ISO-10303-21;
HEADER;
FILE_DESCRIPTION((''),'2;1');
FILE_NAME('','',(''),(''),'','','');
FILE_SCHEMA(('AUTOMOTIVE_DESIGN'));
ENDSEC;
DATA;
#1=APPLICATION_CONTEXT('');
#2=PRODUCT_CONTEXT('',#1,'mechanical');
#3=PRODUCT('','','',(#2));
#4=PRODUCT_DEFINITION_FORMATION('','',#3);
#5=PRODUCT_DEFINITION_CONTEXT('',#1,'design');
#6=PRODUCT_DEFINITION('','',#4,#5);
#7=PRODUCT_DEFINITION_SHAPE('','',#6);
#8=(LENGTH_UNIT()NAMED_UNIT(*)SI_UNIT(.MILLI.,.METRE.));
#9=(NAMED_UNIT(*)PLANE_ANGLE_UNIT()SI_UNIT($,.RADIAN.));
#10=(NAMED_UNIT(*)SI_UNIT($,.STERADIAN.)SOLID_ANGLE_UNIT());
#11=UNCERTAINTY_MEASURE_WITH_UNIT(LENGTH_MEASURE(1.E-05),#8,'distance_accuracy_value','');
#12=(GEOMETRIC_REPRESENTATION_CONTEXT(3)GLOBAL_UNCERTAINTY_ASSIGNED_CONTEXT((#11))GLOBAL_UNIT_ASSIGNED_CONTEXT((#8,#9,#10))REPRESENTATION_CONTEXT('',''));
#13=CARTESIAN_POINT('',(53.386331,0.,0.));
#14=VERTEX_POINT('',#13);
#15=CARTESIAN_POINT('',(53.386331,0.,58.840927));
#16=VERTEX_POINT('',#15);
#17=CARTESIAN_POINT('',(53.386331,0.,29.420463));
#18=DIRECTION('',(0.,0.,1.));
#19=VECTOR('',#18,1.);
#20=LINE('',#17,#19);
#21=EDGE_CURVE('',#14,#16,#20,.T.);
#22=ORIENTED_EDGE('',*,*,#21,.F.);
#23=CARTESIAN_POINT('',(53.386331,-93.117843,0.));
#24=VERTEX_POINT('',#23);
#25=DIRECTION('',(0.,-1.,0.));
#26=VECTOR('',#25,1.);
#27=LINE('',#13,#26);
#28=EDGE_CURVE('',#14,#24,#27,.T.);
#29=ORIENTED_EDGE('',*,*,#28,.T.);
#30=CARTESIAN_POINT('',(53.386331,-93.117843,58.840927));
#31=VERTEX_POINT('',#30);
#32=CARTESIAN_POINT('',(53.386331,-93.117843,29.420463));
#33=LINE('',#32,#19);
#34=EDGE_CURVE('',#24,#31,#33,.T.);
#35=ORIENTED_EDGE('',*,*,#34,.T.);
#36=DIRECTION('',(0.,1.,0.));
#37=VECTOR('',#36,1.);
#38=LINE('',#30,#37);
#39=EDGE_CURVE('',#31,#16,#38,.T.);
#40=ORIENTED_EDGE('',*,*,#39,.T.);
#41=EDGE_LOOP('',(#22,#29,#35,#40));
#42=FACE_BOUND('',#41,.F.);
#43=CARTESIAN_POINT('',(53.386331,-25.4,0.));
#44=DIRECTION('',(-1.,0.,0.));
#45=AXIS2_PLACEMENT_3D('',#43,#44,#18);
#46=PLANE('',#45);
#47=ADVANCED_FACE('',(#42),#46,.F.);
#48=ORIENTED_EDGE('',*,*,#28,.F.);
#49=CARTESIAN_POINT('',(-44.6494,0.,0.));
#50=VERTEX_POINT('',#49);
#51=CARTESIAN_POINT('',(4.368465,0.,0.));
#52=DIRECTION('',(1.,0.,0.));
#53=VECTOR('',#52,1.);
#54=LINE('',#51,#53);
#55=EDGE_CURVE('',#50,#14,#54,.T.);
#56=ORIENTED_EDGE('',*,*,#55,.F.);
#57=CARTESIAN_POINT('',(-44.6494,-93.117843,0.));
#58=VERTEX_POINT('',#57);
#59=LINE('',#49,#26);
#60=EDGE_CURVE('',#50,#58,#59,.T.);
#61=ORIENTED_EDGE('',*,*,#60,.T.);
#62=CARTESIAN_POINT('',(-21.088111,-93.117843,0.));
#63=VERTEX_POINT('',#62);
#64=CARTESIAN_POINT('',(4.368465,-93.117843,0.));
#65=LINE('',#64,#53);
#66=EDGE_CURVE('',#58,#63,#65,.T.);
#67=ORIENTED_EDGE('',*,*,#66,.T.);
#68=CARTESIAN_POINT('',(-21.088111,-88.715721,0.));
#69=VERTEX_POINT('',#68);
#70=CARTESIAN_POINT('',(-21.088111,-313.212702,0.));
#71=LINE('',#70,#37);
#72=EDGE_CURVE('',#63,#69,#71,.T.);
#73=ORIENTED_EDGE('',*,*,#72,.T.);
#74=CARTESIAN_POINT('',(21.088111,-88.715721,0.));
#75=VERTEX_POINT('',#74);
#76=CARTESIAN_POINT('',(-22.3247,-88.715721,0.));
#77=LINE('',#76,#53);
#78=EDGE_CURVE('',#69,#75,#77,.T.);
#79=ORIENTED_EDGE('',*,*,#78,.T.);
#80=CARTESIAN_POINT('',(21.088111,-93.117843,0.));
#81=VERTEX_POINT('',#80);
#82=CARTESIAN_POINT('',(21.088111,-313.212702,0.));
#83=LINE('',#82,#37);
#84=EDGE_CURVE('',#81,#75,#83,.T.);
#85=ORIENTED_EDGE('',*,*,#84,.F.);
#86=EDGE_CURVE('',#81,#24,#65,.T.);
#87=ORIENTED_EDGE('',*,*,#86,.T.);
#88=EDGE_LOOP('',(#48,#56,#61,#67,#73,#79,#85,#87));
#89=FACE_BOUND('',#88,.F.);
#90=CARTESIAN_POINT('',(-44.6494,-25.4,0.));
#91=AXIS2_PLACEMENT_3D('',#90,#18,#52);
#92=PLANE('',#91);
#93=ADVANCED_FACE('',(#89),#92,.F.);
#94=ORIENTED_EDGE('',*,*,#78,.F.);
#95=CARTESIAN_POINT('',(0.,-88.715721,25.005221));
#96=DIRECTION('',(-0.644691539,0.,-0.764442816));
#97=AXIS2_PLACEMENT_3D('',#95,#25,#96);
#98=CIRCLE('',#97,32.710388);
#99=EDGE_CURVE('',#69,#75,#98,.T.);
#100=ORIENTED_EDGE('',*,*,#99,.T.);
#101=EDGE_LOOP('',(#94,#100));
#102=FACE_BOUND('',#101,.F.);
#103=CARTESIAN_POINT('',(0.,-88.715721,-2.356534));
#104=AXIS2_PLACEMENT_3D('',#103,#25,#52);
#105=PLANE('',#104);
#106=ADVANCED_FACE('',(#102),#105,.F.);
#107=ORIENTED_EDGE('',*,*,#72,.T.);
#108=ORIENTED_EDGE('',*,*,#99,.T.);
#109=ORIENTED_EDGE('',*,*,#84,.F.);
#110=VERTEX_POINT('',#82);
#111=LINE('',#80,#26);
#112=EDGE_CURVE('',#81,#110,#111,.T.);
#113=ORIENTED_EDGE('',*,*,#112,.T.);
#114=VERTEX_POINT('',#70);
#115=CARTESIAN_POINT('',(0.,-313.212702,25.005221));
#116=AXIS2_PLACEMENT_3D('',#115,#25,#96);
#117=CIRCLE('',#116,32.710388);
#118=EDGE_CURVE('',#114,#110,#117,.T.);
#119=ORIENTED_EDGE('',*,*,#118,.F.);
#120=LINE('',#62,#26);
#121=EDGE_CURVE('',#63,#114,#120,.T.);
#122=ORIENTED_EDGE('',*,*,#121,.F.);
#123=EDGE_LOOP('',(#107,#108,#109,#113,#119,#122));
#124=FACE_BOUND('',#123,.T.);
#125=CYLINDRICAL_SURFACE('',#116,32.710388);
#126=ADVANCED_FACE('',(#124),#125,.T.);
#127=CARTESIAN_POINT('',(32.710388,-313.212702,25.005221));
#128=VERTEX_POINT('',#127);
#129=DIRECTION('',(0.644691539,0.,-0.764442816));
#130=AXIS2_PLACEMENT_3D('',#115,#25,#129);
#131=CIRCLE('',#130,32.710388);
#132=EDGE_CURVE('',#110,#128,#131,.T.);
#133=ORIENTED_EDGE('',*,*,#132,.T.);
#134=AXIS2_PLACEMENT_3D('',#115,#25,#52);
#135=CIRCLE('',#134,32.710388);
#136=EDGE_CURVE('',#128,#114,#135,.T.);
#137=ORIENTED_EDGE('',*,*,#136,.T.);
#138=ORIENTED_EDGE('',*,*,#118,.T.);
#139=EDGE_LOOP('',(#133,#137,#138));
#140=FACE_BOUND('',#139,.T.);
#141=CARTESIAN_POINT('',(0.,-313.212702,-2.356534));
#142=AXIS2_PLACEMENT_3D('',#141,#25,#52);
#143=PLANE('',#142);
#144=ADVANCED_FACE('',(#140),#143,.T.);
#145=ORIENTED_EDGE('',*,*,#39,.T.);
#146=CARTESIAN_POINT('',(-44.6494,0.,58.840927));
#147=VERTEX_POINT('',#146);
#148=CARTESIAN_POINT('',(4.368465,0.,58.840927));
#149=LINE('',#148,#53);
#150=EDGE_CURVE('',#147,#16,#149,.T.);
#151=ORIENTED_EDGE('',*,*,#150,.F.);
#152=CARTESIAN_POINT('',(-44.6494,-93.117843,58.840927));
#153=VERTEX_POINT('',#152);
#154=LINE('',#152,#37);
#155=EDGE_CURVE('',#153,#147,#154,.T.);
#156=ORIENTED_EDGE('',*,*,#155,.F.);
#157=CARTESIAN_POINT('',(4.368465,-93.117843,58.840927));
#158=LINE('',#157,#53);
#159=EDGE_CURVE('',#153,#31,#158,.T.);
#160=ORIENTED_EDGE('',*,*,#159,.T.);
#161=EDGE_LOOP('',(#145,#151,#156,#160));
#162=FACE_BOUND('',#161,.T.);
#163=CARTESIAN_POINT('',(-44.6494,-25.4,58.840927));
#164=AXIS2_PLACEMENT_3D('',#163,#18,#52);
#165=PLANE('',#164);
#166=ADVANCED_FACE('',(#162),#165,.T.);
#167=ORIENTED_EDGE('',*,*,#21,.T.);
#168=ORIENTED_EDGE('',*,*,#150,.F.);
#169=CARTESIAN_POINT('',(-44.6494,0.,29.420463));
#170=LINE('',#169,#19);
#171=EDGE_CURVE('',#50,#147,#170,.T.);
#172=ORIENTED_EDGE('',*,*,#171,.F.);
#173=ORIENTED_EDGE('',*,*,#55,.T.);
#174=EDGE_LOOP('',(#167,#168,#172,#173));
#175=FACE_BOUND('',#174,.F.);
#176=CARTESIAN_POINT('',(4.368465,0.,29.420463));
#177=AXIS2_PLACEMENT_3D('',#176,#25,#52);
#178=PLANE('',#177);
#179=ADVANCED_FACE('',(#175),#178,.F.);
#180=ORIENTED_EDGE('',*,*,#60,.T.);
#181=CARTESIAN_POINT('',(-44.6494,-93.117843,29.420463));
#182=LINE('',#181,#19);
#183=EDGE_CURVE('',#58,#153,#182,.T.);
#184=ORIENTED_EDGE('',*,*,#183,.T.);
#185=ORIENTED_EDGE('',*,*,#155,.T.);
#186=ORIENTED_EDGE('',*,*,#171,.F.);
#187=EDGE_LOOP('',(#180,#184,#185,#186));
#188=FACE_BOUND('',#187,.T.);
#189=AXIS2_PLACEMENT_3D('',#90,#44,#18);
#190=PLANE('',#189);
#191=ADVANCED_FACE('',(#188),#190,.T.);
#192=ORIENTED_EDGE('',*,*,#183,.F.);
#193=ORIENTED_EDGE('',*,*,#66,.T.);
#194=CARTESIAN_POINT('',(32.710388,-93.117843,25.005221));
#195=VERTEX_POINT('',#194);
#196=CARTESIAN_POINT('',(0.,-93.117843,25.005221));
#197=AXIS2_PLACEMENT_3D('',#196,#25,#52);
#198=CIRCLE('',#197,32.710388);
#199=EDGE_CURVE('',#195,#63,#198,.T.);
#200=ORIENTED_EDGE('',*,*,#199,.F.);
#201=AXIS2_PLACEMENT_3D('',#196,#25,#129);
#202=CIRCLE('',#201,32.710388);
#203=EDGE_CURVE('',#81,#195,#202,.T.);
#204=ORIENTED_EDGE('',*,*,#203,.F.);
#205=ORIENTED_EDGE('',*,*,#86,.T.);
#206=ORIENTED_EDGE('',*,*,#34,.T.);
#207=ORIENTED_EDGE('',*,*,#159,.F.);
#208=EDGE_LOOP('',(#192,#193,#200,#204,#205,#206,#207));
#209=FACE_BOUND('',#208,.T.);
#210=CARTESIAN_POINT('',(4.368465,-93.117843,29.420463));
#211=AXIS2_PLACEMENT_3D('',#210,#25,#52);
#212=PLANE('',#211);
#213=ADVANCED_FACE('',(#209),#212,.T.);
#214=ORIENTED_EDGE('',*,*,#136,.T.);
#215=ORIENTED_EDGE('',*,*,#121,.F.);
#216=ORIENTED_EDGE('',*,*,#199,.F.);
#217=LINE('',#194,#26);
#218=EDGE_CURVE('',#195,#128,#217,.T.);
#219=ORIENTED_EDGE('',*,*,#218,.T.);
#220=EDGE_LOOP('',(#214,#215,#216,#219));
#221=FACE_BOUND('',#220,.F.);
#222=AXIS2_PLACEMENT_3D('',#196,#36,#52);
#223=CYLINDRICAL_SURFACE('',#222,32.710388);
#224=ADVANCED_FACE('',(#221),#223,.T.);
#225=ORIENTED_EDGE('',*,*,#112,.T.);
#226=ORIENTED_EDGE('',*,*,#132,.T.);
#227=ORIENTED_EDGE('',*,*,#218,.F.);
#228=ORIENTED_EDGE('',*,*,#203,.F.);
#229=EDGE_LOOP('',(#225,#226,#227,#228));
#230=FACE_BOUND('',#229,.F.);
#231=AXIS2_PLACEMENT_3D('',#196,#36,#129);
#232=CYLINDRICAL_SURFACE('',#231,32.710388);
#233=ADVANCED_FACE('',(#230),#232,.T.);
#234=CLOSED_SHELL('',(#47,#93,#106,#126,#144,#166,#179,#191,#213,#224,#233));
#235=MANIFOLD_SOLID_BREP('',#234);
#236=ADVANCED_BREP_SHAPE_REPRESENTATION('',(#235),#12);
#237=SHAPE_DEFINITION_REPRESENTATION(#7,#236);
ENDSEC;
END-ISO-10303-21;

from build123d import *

# Parameters (mm, degrees)
F0_W     = 98.0357304215
F0_H     = 58.8409267366
F1_DEPTH = 25.4
F2_DEPTH = 67.7178427577
F4_DEPTH = 220.0948596001
F5_R     = 19.1741930287
F6_DEPTH = 130.0617903471
F7_DEPTH = 224.4969811291


with BuildPart() as f1:
    # F0 (on Front) → F1 (new body)
    with BuildSketch(Plane.XZ):
        with Locations((4.3684653938, 29.4204633683)):
            Rectangle(F0_W, F0_H)
    extrude(amount=F1_DEPTH)

    # F2 (add): a face of the model
    f2_faces = [f1.faces().sort_by_distance(p)[0] for p in [
        (4.3684653938, -25.4, 29.4204633683),
    ]]
    extrude(f2_faces, amount=F2_DEPTH)

    # F3 (on face) → F4 (join)
    with BuildSketch(Plane.XZ.offset(93.1178427577)):
        with BuildLine():
            Line((21.0881105967, 0), (-21.0881105967, 0))
            ThreePointArc((-21.0881105967, 0), (0, -7.7051669547), (21.0881105967, 0))
        make_face()
        with BuildLine():
            ThreePointArc((21.0881105967, 0), (29.6628537968, 11.2181038734), (32.7103883216, 25.0052213669))
            ThreePointArc((32.7103883216, 25.0052213669), (-13.7871174935, 54.6680751636), (-21.0881105967, 0))
            Line((-21.0881105967, 0), (21.0881105967, 0))
        make_face()
    extrude(amount=F4_DEPTH)

    # F5 (on face) → F6 (join)
    with BuildSketch(Plane.XZ.offset(313.2127023578)):
        with Locations((0, 25.0052213669)):
            Circle(F5_R)
    extrude(amount=-F6_DEPTH)

    # F7 (add): a face of the model
    f7_faces = [f1.faces().sort_by_distance(p)[0] for p in [
        (0, -313.2127023578, 25.0052213669),
    ]]
    extrude(f7_faces, amount=-F7_DEPTH)


solid = f1.part
